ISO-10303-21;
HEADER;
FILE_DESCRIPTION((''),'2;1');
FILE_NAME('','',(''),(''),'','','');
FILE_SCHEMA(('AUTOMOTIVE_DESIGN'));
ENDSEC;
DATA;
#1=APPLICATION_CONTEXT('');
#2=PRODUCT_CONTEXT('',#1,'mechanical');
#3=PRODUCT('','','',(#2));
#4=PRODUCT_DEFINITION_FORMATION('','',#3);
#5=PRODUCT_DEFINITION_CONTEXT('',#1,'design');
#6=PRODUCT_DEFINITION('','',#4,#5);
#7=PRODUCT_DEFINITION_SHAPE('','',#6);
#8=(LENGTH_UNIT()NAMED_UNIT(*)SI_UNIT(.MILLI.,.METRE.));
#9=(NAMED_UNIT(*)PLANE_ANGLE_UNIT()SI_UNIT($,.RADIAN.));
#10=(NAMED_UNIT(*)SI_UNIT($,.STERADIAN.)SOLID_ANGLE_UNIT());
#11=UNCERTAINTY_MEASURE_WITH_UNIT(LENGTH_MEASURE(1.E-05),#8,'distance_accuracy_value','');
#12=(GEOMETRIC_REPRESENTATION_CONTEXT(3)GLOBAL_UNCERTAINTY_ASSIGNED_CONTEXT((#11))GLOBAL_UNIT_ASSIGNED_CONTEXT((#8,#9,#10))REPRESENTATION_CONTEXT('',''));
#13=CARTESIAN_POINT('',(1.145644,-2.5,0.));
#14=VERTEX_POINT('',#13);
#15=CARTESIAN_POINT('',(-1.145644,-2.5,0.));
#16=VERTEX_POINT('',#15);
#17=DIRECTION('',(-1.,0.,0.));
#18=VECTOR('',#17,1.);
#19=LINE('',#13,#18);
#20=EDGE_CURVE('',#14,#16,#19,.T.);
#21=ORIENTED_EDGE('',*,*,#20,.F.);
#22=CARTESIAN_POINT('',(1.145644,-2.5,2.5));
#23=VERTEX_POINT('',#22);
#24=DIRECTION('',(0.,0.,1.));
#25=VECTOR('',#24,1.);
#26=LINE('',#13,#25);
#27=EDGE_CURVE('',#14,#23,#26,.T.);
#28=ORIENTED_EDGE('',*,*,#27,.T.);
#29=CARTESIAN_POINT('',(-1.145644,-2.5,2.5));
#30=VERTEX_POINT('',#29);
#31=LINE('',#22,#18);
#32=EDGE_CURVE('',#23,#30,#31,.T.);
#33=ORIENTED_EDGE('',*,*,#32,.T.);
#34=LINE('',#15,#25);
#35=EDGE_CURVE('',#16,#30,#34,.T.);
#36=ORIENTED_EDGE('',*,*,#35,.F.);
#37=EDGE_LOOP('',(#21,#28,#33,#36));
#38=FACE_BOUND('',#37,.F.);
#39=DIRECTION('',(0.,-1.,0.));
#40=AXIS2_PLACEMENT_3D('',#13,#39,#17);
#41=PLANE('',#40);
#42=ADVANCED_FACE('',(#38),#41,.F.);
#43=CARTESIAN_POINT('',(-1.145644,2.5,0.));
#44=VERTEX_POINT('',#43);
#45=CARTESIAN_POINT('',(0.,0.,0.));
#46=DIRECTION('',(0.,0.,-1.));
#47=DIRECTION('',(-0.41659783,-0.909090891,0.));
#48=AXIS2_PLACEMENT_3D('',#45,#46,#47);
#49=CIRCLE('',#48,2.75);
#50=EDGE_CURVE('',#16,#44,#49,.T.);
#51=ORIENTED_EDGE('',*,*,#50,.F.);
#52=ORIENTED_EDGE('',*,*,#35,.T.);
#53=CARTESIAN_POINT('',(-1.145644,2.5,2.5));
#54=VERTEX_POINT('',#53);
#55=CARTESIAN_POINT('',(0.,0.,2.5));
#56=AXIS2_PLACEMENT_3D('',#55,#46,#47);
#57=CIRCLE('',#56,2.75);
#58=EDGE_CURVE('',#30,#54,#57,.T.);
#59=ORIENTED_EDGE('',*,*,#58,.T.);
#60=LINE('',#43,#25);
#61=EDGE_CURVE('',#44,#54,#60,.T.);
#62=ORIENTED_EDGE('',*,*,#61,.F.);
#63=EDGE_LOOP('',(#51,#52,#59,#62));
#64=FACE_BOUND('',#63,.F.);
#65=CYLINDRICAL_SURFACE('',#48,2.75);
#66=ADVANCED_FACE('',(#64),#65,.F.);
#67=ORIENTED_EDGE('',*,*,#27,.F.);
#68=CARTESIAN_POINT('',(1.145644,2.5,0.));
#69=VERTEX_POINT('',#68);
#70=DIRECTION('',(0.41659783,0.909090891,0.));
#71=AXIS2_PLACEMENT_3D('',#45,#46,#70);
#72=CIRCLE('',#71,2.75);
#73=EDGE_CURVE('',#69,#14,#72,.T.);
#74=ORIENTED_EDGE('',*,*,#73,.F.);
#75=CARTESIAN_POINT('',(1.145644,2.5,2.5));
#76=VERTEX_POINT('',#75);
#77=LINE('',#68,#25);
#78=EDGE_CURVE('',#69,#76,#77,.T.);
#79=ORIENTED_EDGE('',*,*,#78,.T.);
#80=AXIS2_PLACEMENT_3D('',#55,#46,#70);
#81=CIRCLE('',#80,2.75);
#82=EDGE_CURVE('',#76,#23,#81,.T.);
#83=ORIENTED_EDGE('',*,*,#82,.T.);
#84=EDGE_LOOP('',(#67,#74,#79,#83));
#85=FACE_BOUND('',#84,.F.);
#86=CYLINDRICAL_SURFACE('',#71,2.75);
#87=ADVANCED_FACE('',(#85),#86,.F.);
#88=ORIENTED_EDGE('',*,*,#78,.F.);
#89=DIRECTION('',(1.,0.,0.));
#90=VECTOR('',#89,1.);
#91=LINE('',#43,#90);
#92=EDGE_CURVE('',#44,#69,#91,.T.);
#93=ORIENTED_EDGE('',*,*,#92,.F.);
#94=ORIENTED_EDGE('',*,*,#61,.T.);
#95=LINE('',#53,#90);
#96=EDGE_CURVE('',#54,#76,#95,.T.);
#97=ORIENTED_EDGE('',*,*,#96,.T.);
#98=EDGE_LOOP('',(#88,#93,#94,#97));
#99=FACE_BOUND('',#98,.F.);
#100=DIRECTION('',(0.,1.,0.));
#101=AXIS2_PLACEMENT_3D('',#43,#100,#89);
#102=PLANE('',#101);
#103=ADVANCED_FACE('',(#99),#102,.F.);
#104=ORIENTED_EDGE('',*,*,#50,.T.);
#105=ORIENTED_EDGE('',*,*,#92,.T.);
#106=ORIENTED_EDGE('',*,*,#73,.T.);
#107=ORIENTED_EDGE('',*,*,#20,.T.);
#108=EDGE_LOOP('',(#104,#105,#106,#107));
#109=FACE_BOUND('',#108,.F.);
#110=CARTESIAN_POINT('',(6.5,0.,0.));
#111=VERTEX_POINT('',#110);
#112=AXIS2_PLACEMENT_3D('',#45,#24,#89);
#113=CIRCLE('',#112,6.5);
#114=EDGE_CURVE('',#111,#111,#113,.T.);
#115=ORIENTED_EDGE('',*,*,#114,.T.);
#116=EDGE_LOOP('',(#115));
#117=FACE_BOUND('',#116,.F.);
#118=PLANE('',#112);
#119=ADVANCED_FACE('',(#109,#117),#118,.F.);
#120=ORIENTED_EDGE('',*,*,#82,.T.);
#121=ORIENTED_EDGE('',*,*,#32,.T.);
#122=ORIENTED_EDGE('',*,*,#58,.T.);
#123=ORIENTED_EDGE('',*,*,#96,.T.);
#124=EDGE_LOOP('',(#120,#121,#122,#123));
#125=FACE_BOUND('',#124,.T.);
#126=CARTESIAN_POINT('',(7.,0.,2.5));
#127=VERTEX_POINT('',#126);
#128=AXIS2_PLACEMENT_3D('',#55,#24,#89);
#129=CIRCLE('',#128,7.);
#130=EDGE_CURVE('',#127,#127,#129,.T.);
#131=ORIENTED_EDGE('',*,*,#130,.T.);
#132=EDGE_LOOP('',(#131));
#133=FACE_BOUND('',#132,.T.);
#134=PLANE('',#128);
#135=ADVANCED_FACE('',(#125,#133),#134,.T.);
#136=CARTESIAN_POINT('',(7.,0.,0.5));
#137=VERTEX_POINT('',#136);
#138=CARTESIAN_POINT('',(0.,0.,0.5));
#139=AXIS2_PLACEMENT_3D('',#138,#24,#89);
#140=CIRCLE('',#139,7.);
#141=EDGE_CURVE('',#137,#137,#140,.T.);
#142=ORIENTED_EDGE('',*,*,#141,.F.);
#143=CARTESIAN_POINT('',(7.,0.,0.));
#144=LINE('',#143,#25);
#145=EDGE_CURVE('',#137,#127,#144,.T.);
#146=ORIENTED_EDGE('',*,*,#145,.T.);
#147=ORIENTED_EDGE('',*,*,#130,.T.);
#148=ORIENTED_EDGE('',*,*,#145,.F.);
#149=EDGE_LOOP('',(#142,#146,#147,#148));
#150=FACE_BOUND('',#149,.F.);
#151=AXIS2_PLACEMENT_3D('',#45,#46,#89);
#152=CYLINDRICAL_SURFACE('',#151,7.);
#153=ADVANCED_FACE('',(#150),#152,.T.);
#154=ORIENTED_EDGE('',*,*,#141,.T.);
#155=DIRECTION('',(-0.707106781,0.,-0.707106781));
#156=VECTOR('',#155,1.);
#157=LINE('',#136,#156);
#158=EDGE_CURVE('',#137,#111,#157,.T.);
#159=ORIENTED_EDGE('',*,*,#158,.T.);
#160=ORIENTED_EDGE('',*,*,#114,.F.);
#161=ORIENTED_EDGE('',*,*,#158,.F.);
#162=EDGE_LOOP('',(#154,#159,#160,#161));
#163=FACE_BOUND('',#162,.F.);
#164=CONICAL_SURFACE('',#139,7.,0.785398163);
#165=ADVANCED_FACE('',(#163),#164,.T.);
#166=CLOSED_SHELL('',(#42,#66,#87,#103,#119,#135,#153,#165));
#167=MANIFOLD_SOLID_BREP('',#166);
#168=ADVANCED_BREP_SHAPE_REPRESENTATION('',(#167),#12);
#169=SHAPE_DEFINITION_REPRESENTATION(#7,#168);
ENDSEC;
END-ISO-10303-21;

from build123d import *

# Parameters (mm, degrees)
F0_R     = 7
F1_DEPTH = 2.5
F2_SIZE  = 0.5


with BuildPart() as f1:
    # F0 (on Top) → F1 (new body)
    with BuildSketch(Plane.XY):
        Circle(F0_R)
        with BuildLine():
            ThreePointArc((-1.145644, -2.5), (-2.75, 0), (-1.145644, 2.5))
            Line((-1.145644, 2.5), (1.145644, 2.5))
            ThreePointArc((1.145644, 2.5), (2.75, 0), (1.145644, -2.5))
            Line((1.145644, -2.5), (-1.145644, -2.5))
        make_face(mode=Mode.SUBTRACT)
    extrude(amount=F1_DEPTH)

    # F2
    f2_edges = [f1.edges().sort_by_distance(p)[0] for p in [
        (-7, 0, 0),
    ]]
    chamfer(f2_edges, length=F2_SIZE)


solid = f1.part
